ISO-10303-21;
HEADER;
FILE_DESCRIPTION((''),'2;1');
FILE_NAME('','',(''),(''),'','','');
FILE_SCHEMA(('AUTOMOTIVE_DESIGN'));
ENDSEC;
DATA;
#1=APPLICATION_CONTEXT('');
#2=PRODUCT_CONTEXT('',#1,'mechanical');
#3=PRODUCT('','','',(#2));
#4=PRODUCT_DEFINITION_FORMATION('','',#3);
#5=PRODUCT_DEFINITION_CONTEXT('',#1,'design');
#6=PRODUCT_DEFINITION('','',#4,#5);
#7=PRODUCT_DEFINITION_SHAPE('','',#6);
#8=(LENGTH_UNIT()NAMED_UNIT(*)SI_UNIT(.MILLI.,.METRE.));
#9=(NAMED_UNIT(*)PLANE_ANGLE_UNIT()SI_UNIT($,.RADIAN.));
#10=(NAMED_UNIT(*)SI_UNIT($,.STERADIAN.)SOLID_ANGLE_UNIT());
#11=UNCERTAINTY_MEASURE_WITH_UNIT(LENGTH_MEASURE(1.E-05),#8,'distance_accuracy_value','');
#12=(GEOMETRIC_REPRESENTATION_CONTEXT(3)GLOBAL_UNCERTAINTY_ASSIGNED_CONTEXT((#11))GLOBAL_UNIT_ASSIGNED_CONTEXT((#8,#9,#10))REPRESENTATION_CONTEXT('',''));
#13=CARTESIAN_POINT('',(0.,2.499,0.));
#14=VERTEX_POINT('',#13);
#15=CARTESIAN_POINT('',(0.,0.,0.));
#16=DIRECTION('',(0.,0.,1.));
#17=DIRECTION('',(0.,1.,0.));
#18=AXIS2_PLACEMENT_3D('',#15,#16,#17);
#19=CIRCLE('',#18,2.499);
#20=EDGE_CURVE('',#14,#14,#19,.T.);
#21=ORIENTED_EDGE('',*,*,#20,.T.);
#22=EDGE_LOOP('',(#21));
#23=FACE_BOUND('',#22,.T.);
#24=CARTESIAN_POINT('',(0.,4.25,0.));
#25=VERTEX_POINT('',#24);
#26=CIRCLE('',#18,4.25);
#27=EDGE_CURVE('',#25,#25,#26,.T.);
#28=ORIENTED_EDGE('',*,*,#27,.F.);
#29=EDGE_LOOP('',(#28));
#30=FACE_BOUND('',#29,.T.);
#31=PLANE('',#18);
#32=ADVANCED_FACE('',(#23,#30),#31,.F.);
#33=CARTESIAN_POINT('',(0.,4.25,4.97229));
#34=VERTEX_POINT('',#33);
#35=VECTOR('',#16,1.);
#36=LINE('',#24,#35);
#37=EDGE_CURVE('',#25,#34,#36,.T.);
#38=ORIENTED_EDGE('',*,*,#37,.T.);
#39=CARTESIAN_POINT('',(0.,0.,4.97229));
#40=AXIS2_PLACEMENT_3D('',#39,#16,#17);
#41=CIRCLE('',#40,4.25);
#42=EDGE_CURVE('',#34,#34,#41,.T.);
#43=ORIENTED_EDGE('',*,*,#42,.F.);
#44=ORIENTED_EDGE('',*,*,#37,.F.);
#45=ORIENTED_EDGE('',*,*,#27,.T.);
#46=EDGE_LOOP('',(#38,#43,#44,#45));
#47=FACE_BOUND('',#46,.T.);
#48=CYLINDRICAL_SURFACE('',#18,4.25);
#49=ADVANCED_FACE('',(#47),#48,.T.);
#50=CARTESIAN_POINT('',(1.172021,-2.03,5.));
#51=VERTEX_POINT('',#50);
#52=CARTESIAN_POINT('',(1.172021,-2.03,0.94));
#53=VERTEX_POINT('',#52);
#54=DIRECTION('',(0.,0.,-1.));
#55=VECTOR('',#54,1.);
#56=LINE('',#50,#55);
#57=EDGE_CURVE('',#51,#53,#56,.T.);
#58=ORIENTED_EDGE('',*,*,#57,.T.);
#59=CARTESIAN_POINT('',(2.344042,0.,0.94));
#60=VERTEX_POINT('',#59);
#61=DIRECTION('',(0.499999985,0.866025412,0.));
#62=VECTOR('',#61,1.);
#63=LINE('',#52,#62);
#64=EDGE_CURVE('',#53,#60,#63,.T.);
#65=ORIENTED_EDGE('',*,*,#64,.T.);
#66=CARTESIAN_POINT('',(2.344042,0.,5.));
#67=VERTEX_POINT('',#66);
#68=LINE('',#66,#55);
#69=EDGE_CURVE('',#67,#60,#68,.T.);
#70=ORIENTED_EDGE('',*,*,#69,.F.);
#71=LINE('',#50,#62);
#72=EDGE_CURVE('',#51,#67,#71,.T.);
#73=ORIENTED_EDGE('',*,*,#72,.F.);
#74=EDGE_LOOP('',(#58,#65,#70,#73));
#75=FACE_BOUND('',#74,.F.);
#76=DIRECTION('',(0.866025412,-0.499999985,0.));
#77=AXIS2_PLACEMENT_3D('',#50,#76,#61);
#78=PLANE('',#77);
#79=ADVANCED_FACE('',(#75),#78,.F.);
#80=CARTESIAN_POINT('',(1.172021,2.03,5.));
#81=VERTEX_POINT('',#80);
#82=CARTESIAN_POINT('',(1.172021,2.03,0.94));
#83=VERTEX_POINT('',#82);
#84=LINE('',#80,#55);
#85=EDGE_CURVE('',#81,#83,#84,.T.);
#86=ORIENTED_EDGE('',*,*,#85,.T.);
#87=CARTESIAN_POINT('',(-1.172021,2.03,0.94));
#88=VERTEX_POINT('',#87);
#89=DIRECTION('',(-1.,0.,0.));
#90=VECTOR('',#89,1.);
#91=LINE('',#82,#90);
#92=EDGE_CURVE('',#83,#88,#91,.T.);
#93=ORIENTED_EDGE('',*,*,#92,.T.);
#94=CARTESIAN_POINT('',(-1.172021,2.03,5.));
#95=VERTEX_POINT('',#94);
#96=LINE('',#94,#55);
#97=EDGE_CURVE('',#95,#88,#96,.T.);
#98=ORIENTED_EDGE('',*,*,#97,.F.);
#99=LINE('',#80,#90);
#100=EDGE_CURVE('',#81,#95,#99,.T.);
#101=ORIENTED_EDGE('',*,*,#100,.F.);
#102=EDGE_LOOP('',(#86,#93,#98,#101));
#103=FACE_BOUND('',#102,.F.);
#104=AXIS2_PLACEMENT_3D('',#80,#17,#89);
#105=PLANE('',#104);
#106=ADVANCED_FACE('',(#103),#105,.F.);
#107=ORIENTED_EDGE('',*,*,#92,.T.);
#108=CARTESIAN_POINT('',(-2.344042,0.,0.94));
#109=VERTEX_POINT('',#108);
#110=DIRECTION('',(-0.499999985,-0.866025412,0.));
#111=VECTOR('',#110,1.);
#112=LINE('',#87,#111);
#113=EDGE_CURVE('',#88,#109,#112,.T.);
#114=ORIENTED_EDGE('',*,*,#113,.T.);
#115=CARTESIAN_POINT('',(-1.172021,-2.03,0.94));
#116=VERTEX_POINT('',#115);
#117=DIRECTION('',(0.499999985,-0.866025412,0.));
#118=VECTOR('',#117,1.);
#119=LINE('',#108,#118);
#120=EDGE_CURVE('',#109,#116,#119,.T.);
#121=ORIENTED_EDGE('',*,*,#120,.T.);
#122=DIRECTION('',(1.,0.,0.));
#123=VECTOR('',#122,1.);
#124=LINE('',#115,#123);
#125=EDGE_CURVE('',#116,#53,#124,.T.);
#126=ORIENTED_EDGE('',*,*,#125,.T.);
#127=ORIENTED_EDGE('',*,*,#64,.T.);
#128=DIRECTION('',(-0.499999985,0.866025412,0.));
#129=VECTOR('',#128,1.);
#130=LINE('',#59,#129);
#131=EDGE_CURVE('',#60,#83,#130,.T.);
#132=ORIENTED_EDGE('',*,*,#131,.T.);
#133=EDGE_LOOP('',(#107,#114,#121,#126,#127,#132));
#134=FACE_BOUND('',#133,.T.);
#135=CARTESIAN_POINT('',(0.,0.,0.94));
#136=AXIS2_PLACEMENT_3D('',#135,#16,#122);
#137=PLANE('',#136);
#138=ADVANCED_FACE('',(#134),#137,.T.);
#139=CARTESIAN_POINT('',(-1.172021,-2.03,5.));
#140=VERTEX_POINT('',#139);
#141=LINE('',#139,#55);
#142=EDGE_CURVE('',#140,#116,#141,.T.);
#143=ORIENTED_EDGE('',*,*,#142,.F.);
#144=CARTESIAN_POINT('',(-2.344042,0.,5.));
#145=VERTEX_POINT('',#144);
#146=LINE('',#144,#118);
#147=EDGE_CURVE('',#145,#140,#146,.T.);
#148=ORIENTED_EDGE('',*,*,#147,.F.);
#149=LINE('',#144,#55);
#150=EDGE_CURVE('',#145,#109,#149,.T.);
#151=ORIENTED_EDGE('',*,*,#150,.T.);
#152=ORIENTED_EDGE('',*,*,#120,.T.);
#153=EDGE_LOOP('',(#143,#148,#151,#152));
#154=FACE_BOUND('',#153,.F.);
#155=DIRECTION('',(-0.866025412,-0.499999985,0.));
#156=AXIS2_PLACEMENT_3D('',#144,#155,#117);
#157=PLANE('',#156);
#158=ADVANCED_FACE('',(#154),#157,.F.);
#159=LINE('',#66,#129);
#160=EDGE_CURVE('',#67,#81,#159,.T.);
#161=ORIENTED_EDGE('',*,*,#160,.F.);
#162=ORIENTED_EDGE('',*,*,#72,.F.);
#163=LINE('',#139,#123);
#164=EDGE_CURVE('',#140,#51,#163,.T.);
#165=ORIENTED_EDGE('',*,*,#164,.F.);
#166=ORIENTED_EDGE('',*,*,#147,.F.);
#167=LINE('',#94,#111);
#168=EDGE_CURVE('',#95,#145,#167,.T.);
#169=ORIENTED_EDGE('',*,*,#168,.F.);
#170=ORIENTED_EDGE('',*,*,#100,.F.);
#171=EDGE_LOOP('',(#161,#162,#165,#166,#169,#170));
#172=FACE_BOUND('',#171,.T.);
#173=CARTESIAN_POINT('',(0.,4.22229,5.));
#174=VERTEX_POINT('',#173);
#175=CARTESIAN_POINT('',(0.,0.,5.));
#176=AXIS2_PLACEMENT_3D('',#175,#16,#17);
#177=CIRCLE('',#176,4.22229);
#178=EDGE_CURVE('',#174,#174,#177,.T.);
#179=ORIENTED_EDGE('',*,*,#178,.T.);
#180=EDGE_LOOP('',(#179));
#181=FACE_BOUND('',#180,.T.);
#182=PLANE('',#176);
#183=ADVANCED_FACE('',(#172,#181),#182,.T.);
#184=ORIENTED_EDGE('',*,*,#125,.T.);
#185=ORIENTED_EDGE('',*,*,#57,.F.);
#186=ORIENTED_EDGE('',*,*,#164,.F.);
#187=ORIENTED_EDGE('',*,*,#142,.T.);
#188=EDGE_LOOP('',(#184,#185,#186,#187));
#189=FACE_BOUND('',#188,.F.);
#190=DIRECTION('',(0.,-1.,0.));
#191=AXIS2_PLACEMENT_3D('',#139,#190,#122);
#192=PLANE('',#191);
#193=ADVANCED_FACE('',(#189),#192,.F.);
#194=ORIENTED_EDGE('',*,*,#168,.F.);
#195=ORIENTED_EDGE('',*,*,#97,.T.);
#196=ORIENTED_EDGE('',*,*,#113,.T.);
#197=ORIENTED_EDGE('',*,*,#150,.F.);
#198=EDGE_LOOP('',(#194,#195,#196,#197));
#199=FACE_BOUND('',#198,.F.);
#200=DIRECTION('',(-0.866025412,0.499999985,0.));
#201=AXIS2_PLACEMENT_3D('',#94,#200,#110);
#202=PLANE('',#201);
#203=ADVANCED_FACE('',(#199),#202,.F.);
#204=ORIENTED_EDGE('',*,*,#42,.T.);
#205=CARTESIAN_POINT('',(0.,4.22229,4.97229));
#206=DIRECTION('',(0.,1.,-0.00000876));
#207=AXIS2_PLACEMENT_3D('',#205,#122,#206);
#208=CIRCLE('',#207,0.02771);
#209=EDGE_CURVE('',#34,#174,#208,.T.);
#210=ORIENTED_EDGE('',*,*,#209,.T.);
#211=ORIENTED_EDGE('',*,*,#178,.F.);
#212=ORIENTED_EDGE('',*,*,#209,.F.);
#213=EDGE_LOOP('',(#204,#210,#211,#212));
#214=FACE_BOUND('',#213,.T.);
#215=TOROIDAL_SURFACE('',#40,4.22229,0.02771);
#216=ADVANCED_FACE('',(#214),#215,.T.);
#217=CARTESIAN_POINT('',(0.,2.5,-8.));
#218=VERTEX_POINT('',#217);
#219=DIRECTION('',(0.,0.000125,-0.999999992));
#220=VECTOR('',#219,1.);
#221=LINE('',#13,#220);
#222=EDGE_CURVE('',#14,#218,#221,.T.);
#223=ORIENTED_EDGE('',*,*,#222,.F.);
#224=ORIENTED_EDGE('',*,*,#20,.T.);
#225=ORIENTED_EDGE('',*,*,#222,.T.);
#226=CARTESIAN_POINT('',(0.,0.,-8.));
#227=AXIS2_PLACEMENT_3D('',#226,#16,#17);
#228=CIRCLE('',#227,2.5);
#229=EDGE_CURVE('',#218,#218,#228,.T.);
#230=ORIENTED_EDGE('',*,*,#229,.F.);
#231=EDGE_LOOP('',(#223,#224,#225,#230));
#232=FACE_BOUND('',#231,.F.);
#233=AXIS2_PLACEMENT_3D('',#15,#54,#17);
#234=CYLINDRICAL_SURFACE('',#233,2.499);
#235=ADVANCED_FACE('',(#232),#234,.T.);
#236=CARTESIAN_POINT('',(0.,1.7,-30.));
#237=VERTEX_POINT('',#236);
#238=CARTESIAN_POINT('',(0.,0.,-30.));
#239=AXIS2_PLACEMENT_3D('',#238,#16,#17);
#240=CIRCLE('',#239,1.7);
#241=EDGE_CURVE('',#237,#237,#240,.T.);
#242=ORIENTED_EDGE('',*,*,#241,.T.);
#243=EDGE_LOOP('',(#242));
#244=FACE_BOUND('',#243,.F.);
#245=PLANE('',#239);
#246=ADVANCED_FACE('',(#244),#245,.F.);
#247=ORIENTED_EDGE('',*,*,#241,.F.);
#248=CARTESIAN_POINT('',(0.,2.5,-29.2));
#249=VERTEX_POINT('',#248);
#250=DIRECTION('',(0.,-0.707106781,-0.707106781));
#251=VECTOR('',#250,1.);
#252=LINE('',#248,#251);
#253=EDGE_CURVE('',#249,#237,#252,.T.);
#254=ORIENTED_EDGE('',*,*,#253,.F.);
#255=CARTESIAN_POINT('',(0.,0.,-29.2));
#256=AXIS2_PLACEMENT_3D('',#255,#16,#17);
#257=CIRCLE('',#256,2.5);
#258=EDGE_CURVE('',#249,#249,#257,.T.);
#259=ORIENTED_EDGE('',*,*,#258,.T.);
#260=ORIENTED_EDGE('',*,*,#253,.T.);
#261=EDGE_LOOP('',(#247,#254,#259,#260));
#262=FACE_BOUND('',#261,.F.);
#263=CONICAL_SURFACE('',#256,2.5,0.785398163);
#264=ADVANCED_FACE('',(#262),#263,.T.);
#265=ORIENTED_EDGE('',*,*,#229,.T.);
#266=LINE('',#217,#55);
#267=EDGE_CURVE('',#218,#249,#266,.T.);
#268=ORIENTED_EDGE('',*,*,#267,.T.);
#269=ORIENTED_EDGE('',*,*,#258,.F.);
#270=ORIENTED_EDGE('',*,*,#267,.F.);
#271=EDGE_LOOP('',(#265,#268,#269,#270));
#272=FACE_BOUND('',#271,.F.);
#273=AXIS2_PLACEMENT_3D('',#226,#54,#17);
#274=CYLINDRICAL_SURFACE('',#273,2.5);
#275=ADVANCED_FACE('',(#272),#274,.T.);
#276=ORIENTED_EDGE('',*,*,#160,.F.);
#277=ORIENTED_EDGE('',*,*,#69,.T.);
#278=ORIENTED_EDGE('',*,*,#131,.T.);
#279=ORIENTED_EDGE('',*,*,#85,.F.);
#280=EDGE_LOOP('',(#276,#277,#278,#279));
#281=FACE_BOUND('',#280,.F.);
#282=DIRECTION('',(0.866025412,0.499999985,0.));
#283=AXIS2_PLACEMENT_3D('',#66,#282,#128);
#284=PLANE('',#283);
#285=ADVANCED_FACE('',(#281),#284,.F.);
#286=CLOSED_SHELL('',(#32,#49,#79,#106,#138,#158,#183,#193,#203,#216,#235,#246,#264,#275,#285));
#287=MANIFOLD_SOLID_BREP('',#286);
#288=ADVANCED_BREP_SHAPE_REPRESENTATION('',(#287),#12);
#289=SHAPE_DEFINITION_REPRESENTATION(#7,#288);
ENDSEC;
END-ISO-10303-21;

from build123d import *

# Parameters (mm, degrees)
POCKET_DEPTH = 4.06


with BuildPart() as part:
    # Sketch → Revolve (revolve)
    with BuildSketch(Plane.YZ):
        with BuildLine():
            Line((2.499, 0), (4.25, 0))
            Line((4.25, 0), (4.25, 4.97229))
            ThreePointArc((4.25, 4.97229), (4.241884, 4.991884), (4.22229, 5))
            Line((4.22229, 5), (0, 5))
            Line((0, -30), (0, 5))
            Line((1.7, -30), (0, -30))
            Line((2.5, -29.2), (1.7, -30))
            Line((2.5, -8), (2.5, -29.2))
            Line((2.499, 0), (2.5, -8))
        make_face()
    revolve(axis=Axis((0, 0, 0), (0, 0, 1)))

    # Sketch001 → Pocket (cut)
    with BuildSketch(Plane.XY.offset(5)):
        Polygon((2.344042, 0), (1.172021, 2.03), (-1.172021, 2.03), (-2.344042, 0), (-1.172021, -2.03), (1.172021, -2.03), align=None)
    extrude(amount=-POCKET_DEPTH, mode=Mode.SUBTRACT)


solid = part.part
